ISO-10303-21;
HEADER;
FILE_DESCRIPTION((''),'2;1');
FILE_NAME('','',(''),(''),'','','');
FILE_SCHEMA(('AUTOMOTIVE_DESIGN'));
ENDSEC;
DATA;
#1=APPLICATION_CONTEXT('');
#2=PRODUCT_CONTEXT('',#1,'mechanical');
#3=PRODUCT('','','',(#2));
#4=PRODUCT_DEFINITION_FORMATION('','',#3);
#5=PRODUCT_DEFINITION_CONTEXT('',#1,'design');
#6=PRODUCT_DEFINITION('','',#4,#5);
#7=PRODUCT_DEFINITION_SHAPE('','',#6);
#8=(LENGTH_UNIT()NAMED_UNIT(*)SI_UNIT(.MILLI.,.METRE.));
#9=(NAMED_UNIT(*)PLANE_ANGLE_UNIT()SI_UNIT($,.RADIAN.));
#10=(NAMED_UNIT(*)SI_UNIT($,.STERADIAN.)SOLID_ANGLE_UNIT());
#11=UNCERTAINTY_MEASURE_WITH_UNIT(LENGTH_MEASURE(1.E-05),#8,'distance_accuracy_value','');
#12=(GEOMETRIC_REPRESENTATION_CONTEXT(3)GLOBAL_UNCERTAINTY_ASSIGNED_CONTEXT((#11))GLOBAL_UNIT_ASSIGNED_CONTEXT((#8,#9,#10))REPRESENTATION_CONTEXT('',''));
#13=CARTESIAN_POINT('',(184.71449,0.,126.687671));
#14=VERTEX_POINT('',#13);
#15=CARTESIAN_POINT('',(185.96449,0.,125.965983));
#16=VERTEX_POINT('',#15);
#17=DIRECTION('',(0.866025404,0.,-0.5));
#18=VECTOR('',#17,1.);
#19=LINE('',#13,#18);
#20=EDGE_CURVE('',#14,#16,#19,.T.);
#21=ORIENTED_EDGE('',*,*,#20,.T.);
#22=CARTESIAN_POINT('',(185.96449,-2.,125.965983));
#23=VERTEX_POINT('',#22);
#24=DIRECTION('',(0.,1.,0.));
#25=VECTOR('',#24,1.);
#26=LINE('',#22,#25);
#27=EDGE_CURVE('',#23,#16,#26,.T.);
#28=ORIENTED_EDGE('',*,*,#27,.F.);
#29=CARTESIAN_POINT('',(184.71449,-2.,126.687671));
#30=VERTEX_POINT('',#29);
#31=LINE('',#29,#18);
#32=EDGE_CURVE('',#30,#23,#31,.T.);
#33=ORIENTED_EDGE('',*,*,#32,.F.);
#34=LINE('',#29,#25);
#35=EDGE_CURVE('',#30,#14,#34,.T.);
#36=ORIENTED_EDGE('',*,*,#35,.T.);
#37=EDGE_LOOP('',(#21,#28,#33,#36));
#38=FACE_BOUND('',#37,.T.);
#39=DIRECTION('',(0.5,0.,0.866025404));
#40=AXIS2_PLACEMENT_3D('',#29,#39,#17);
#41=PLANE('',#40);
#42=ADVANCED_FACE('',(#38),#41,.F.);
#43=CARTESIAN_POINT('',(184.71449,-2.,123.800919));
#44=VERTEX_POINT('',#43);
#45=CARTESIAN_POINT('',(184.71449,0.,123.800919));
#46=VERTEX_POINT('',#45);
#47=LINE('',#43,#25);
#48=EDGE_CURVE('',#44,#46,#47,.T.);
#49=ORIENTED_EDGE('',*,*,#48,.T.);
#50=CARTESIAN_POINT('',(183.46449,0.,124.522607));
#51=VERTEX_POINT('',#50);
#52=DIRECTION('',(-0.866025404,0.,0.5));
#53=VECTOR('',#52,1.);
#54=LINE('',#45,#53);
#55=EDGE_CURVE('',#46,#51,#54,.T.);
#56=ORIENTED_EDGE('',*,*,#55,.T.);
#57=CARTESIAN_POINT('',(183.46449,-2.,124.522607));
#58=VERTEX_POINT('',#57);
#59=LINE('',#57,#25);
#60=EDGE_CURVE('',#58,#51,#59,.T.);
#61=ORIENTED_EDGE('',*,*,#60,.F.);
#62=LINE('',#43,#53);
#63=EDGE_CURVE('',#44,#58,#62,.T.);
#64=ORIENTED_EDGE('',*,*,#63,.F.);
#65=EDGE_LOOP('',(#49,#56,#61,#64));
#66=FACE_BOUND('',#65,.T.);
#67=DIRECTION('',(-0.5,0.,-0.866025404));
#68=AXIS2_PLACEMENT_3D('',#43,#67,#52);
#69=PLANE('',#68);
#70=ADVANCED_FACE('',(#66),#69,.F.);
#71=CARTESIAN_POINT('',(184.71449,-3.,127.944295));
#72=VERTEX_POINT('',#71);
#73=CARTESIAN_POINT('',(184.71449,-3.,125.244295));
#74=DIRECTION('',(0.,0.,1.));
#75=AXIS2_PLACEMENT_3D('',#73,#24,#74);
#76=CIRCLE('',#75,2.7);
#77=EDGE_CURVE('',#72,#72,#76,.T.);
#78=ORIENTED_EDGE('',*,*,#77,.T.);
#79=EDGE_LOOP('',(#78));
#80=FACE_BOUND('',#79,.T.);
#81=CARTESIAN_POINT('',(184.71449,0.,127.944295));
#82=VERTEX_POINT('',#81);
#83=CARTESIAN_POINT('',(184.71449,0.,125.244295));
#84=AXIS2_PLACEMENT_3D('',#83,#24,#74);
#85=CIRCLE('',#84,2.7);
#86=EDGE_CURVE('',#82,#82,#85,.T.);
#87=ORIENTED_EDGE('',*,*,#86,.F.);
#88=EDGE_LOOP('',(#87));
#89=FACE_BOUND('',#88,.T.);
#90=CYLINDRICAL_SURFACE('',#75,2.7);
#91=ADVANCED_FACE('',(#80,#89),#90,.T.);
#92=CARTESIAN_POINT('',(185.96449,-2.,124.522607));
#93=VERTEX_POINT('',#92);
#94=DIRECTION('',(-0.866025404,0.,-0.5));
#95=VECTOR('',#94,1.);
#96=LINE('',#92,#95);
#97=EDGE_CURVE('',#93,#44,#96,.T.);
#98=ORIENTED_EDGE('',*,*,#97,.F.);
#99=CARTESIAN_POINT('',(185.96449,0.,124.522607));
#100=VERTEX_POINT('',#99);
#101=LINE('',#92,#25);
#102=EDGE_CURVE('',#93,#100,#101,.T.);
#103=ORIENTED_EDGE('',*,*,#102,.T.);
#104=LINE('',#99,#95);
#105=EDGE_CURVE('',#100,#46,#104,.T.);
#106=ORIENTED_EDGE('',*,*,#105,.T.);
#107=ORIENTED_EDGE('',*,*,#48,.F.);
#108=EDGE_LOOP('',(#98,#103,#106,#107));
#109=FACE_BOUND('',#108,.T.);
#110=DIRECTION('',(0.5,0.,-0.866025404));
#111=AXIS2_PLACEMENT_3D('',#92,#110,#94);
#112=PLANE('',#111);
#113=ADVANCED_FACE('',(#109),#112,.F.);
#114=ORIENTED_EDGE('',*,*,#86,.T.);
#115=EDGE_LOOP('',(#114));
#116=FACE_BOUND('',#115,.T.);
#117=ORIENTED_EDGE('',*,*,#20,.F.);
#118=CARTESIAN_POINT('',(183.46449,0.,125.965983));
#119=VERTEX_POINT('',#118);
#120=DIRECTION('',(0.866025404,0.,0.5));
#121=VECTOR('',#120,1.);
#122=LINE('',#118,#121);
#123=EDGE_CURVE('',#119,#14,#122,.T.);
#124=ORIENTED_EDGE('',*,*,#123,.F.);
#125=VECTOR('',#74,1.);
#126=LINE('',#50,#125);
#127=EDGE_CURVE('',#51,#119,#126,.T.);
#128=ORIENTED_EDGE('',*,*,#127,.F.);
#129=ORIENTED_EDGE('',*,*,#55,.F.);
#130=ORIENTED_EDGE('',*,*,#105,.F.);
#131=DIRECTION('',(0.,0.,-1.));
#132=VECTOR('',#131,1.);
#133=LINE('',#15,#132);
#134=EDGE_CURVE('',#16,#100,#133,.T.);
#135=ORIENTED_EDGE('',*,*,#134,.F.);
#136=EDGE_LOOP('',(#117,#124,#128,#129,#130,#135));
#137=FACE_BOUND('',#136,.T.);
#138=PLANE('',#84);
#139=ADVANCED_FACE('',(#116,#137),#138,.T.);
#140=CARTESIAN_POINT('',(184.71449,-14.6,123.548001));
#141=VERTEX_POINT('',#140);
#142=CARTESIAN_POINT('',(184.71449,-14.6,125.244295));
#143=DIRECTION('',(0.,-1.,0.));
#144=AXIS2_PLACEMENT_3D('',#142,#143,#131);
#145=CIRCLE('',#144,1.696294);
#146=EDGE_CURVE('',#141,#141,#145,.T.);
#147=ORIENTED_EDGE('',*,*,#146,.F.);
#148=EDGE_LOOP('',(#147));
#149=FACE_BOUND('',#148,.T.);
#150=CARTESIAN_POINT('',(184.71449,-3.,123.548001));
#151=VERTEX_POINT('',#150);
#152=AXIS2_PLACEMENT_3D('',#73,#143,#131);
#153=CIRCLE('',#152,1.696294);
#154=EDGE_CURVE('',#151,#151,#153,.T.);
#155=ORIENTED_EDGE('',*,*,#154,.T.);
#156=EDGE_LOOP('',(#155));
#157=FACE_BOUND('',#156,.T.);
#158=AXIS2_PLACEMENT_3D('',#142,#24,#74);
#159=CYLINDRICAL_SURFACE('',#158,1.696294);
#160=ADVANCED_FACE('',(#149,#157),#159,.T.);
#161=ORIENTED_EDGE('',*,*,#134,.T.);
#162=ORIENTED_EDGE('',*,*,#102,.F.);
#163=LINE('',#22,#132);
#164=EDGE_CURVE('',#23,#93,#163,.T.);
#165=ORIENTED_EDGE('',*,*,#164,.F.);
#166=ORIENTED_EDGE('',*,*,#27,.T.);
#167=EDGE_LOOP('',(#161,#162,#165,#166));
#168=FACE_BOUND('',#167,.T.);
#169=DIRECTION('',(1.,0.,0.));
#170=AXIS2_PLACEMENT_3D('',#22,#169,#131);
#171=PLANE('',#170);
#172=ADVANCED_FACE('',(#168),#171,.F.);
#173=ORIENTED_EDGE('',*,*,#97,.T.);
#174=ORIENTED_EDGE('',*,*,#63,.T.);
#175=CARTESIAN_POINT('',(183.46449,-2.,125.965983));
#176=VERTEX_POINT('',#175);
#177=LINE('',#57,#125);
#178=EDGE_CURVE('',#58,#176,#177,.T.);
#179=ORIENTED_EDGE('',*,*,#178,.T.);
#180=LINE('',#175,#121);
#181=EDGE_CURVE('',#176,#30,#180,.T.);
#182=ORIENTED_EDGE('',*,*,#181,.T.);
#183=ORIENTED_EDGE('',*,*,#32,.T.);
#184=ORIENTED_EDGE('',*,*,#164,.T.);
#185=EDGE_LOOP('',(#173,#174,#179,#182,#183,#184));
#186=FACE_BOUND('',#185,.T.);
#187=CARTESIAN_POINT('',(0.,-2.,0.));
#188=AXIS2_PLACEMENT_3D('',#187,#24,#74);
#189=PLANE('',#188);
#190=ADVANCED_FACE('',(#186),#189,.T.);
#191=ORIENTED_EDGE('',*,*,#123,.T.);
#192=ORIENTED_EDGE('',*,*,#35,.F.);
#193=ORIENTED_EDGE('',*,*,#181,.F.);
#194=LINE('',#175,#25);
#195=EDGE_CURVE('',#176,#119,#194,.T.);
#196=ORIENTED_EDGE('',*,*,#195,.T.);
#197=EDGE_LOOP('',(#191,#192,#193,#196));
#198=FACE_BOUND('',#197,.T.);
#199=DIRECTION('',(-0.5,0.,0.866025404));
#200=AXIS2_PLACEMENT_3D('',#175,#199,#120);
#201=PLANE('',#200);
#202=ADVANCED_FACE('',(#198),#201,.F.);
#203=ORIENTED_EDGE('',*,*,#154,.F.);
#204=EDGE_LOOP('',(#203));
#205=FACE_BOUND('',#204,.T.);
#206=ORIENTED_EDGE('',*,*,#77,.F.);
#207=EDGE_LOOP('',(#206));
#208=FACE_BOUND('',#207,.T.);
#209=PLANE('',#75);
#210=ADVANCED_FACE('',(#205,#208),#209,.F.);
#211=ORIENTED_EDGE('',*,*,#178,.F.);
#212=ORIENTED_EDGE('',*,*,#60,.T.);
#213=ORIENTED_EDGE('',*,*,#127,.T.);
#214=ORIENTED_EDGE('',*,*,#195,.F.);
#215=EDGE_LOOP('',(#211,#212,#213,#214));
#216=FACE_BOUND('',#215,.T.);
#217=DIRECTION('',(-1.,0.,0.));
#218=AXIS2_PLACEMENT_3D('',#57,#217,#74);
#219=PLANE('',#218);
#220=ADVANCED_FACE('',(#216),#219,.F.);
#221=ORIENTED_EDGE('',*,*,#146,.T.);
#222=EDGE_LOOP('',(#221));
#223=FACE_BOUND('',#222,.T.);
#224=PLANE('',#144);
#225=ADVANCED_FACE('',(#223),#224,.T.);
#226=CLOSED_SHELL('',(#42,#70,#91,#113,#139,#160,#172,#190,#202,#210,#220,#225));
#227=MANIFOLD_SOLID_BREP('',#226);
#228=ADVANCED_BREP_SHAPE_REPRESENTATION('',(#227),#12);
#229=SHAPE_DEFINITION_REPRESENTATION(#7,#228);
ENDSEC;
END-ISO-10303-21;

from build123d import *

# Parameters (mm, degrees)
SKETCH1_R           = 2.7
BOSS_EXTRUDE1_DEPTH = 3
SKETCH2_R           = 1.696293742
BOSS_EXTRUDE2_DEPTH = 11.6
CUT_EXTRUDE1_DEPTH  = 2


with BuildPart() as part:
    # Sketch1 → Boss-Extrude1 (new body)
    with BuildSketch(Plane(origin=(0, 0, 0), x_dir=(1, 0, 0), z_dir=(0, 1, 0))):
        with Locations((184.714490272, -125.24429514)):
            Circle(SKETCH1_R)
    extrude(amount=-BOSS_EXTRUDE1_DEPTH)

    # Sketch2 → Boss-Extrude2 (add)
    with BuildSketch(Plane.XZ.offset(3)):
        with Locations((184.714490272, 125.24429514)):
            Circle(SKETCH2_R)
    extrude(amount=BOSS_EXTRUDE2_DEPTH)

    # Sketch3 → Cut-Extrude1 (cut)
    with BuildSketch(Plane(origin=(0, 0, 0), x_dir=(1, 0, 0), z_dir=(0, 1, 0))):
        Polygon((184.714490272, -123.800919467), (183.464490272, -124.522607304), (183.464490272, -125.965982977), (184.714490272, -126.687670813), (185.964490272, -125.965982977), (185.964490272, -124.522607304), align=None)
    extrude(amount=-CUT_EXTRUDE1_DEPTH, mode=Mode.SUBTRACT)


solid = part.part
